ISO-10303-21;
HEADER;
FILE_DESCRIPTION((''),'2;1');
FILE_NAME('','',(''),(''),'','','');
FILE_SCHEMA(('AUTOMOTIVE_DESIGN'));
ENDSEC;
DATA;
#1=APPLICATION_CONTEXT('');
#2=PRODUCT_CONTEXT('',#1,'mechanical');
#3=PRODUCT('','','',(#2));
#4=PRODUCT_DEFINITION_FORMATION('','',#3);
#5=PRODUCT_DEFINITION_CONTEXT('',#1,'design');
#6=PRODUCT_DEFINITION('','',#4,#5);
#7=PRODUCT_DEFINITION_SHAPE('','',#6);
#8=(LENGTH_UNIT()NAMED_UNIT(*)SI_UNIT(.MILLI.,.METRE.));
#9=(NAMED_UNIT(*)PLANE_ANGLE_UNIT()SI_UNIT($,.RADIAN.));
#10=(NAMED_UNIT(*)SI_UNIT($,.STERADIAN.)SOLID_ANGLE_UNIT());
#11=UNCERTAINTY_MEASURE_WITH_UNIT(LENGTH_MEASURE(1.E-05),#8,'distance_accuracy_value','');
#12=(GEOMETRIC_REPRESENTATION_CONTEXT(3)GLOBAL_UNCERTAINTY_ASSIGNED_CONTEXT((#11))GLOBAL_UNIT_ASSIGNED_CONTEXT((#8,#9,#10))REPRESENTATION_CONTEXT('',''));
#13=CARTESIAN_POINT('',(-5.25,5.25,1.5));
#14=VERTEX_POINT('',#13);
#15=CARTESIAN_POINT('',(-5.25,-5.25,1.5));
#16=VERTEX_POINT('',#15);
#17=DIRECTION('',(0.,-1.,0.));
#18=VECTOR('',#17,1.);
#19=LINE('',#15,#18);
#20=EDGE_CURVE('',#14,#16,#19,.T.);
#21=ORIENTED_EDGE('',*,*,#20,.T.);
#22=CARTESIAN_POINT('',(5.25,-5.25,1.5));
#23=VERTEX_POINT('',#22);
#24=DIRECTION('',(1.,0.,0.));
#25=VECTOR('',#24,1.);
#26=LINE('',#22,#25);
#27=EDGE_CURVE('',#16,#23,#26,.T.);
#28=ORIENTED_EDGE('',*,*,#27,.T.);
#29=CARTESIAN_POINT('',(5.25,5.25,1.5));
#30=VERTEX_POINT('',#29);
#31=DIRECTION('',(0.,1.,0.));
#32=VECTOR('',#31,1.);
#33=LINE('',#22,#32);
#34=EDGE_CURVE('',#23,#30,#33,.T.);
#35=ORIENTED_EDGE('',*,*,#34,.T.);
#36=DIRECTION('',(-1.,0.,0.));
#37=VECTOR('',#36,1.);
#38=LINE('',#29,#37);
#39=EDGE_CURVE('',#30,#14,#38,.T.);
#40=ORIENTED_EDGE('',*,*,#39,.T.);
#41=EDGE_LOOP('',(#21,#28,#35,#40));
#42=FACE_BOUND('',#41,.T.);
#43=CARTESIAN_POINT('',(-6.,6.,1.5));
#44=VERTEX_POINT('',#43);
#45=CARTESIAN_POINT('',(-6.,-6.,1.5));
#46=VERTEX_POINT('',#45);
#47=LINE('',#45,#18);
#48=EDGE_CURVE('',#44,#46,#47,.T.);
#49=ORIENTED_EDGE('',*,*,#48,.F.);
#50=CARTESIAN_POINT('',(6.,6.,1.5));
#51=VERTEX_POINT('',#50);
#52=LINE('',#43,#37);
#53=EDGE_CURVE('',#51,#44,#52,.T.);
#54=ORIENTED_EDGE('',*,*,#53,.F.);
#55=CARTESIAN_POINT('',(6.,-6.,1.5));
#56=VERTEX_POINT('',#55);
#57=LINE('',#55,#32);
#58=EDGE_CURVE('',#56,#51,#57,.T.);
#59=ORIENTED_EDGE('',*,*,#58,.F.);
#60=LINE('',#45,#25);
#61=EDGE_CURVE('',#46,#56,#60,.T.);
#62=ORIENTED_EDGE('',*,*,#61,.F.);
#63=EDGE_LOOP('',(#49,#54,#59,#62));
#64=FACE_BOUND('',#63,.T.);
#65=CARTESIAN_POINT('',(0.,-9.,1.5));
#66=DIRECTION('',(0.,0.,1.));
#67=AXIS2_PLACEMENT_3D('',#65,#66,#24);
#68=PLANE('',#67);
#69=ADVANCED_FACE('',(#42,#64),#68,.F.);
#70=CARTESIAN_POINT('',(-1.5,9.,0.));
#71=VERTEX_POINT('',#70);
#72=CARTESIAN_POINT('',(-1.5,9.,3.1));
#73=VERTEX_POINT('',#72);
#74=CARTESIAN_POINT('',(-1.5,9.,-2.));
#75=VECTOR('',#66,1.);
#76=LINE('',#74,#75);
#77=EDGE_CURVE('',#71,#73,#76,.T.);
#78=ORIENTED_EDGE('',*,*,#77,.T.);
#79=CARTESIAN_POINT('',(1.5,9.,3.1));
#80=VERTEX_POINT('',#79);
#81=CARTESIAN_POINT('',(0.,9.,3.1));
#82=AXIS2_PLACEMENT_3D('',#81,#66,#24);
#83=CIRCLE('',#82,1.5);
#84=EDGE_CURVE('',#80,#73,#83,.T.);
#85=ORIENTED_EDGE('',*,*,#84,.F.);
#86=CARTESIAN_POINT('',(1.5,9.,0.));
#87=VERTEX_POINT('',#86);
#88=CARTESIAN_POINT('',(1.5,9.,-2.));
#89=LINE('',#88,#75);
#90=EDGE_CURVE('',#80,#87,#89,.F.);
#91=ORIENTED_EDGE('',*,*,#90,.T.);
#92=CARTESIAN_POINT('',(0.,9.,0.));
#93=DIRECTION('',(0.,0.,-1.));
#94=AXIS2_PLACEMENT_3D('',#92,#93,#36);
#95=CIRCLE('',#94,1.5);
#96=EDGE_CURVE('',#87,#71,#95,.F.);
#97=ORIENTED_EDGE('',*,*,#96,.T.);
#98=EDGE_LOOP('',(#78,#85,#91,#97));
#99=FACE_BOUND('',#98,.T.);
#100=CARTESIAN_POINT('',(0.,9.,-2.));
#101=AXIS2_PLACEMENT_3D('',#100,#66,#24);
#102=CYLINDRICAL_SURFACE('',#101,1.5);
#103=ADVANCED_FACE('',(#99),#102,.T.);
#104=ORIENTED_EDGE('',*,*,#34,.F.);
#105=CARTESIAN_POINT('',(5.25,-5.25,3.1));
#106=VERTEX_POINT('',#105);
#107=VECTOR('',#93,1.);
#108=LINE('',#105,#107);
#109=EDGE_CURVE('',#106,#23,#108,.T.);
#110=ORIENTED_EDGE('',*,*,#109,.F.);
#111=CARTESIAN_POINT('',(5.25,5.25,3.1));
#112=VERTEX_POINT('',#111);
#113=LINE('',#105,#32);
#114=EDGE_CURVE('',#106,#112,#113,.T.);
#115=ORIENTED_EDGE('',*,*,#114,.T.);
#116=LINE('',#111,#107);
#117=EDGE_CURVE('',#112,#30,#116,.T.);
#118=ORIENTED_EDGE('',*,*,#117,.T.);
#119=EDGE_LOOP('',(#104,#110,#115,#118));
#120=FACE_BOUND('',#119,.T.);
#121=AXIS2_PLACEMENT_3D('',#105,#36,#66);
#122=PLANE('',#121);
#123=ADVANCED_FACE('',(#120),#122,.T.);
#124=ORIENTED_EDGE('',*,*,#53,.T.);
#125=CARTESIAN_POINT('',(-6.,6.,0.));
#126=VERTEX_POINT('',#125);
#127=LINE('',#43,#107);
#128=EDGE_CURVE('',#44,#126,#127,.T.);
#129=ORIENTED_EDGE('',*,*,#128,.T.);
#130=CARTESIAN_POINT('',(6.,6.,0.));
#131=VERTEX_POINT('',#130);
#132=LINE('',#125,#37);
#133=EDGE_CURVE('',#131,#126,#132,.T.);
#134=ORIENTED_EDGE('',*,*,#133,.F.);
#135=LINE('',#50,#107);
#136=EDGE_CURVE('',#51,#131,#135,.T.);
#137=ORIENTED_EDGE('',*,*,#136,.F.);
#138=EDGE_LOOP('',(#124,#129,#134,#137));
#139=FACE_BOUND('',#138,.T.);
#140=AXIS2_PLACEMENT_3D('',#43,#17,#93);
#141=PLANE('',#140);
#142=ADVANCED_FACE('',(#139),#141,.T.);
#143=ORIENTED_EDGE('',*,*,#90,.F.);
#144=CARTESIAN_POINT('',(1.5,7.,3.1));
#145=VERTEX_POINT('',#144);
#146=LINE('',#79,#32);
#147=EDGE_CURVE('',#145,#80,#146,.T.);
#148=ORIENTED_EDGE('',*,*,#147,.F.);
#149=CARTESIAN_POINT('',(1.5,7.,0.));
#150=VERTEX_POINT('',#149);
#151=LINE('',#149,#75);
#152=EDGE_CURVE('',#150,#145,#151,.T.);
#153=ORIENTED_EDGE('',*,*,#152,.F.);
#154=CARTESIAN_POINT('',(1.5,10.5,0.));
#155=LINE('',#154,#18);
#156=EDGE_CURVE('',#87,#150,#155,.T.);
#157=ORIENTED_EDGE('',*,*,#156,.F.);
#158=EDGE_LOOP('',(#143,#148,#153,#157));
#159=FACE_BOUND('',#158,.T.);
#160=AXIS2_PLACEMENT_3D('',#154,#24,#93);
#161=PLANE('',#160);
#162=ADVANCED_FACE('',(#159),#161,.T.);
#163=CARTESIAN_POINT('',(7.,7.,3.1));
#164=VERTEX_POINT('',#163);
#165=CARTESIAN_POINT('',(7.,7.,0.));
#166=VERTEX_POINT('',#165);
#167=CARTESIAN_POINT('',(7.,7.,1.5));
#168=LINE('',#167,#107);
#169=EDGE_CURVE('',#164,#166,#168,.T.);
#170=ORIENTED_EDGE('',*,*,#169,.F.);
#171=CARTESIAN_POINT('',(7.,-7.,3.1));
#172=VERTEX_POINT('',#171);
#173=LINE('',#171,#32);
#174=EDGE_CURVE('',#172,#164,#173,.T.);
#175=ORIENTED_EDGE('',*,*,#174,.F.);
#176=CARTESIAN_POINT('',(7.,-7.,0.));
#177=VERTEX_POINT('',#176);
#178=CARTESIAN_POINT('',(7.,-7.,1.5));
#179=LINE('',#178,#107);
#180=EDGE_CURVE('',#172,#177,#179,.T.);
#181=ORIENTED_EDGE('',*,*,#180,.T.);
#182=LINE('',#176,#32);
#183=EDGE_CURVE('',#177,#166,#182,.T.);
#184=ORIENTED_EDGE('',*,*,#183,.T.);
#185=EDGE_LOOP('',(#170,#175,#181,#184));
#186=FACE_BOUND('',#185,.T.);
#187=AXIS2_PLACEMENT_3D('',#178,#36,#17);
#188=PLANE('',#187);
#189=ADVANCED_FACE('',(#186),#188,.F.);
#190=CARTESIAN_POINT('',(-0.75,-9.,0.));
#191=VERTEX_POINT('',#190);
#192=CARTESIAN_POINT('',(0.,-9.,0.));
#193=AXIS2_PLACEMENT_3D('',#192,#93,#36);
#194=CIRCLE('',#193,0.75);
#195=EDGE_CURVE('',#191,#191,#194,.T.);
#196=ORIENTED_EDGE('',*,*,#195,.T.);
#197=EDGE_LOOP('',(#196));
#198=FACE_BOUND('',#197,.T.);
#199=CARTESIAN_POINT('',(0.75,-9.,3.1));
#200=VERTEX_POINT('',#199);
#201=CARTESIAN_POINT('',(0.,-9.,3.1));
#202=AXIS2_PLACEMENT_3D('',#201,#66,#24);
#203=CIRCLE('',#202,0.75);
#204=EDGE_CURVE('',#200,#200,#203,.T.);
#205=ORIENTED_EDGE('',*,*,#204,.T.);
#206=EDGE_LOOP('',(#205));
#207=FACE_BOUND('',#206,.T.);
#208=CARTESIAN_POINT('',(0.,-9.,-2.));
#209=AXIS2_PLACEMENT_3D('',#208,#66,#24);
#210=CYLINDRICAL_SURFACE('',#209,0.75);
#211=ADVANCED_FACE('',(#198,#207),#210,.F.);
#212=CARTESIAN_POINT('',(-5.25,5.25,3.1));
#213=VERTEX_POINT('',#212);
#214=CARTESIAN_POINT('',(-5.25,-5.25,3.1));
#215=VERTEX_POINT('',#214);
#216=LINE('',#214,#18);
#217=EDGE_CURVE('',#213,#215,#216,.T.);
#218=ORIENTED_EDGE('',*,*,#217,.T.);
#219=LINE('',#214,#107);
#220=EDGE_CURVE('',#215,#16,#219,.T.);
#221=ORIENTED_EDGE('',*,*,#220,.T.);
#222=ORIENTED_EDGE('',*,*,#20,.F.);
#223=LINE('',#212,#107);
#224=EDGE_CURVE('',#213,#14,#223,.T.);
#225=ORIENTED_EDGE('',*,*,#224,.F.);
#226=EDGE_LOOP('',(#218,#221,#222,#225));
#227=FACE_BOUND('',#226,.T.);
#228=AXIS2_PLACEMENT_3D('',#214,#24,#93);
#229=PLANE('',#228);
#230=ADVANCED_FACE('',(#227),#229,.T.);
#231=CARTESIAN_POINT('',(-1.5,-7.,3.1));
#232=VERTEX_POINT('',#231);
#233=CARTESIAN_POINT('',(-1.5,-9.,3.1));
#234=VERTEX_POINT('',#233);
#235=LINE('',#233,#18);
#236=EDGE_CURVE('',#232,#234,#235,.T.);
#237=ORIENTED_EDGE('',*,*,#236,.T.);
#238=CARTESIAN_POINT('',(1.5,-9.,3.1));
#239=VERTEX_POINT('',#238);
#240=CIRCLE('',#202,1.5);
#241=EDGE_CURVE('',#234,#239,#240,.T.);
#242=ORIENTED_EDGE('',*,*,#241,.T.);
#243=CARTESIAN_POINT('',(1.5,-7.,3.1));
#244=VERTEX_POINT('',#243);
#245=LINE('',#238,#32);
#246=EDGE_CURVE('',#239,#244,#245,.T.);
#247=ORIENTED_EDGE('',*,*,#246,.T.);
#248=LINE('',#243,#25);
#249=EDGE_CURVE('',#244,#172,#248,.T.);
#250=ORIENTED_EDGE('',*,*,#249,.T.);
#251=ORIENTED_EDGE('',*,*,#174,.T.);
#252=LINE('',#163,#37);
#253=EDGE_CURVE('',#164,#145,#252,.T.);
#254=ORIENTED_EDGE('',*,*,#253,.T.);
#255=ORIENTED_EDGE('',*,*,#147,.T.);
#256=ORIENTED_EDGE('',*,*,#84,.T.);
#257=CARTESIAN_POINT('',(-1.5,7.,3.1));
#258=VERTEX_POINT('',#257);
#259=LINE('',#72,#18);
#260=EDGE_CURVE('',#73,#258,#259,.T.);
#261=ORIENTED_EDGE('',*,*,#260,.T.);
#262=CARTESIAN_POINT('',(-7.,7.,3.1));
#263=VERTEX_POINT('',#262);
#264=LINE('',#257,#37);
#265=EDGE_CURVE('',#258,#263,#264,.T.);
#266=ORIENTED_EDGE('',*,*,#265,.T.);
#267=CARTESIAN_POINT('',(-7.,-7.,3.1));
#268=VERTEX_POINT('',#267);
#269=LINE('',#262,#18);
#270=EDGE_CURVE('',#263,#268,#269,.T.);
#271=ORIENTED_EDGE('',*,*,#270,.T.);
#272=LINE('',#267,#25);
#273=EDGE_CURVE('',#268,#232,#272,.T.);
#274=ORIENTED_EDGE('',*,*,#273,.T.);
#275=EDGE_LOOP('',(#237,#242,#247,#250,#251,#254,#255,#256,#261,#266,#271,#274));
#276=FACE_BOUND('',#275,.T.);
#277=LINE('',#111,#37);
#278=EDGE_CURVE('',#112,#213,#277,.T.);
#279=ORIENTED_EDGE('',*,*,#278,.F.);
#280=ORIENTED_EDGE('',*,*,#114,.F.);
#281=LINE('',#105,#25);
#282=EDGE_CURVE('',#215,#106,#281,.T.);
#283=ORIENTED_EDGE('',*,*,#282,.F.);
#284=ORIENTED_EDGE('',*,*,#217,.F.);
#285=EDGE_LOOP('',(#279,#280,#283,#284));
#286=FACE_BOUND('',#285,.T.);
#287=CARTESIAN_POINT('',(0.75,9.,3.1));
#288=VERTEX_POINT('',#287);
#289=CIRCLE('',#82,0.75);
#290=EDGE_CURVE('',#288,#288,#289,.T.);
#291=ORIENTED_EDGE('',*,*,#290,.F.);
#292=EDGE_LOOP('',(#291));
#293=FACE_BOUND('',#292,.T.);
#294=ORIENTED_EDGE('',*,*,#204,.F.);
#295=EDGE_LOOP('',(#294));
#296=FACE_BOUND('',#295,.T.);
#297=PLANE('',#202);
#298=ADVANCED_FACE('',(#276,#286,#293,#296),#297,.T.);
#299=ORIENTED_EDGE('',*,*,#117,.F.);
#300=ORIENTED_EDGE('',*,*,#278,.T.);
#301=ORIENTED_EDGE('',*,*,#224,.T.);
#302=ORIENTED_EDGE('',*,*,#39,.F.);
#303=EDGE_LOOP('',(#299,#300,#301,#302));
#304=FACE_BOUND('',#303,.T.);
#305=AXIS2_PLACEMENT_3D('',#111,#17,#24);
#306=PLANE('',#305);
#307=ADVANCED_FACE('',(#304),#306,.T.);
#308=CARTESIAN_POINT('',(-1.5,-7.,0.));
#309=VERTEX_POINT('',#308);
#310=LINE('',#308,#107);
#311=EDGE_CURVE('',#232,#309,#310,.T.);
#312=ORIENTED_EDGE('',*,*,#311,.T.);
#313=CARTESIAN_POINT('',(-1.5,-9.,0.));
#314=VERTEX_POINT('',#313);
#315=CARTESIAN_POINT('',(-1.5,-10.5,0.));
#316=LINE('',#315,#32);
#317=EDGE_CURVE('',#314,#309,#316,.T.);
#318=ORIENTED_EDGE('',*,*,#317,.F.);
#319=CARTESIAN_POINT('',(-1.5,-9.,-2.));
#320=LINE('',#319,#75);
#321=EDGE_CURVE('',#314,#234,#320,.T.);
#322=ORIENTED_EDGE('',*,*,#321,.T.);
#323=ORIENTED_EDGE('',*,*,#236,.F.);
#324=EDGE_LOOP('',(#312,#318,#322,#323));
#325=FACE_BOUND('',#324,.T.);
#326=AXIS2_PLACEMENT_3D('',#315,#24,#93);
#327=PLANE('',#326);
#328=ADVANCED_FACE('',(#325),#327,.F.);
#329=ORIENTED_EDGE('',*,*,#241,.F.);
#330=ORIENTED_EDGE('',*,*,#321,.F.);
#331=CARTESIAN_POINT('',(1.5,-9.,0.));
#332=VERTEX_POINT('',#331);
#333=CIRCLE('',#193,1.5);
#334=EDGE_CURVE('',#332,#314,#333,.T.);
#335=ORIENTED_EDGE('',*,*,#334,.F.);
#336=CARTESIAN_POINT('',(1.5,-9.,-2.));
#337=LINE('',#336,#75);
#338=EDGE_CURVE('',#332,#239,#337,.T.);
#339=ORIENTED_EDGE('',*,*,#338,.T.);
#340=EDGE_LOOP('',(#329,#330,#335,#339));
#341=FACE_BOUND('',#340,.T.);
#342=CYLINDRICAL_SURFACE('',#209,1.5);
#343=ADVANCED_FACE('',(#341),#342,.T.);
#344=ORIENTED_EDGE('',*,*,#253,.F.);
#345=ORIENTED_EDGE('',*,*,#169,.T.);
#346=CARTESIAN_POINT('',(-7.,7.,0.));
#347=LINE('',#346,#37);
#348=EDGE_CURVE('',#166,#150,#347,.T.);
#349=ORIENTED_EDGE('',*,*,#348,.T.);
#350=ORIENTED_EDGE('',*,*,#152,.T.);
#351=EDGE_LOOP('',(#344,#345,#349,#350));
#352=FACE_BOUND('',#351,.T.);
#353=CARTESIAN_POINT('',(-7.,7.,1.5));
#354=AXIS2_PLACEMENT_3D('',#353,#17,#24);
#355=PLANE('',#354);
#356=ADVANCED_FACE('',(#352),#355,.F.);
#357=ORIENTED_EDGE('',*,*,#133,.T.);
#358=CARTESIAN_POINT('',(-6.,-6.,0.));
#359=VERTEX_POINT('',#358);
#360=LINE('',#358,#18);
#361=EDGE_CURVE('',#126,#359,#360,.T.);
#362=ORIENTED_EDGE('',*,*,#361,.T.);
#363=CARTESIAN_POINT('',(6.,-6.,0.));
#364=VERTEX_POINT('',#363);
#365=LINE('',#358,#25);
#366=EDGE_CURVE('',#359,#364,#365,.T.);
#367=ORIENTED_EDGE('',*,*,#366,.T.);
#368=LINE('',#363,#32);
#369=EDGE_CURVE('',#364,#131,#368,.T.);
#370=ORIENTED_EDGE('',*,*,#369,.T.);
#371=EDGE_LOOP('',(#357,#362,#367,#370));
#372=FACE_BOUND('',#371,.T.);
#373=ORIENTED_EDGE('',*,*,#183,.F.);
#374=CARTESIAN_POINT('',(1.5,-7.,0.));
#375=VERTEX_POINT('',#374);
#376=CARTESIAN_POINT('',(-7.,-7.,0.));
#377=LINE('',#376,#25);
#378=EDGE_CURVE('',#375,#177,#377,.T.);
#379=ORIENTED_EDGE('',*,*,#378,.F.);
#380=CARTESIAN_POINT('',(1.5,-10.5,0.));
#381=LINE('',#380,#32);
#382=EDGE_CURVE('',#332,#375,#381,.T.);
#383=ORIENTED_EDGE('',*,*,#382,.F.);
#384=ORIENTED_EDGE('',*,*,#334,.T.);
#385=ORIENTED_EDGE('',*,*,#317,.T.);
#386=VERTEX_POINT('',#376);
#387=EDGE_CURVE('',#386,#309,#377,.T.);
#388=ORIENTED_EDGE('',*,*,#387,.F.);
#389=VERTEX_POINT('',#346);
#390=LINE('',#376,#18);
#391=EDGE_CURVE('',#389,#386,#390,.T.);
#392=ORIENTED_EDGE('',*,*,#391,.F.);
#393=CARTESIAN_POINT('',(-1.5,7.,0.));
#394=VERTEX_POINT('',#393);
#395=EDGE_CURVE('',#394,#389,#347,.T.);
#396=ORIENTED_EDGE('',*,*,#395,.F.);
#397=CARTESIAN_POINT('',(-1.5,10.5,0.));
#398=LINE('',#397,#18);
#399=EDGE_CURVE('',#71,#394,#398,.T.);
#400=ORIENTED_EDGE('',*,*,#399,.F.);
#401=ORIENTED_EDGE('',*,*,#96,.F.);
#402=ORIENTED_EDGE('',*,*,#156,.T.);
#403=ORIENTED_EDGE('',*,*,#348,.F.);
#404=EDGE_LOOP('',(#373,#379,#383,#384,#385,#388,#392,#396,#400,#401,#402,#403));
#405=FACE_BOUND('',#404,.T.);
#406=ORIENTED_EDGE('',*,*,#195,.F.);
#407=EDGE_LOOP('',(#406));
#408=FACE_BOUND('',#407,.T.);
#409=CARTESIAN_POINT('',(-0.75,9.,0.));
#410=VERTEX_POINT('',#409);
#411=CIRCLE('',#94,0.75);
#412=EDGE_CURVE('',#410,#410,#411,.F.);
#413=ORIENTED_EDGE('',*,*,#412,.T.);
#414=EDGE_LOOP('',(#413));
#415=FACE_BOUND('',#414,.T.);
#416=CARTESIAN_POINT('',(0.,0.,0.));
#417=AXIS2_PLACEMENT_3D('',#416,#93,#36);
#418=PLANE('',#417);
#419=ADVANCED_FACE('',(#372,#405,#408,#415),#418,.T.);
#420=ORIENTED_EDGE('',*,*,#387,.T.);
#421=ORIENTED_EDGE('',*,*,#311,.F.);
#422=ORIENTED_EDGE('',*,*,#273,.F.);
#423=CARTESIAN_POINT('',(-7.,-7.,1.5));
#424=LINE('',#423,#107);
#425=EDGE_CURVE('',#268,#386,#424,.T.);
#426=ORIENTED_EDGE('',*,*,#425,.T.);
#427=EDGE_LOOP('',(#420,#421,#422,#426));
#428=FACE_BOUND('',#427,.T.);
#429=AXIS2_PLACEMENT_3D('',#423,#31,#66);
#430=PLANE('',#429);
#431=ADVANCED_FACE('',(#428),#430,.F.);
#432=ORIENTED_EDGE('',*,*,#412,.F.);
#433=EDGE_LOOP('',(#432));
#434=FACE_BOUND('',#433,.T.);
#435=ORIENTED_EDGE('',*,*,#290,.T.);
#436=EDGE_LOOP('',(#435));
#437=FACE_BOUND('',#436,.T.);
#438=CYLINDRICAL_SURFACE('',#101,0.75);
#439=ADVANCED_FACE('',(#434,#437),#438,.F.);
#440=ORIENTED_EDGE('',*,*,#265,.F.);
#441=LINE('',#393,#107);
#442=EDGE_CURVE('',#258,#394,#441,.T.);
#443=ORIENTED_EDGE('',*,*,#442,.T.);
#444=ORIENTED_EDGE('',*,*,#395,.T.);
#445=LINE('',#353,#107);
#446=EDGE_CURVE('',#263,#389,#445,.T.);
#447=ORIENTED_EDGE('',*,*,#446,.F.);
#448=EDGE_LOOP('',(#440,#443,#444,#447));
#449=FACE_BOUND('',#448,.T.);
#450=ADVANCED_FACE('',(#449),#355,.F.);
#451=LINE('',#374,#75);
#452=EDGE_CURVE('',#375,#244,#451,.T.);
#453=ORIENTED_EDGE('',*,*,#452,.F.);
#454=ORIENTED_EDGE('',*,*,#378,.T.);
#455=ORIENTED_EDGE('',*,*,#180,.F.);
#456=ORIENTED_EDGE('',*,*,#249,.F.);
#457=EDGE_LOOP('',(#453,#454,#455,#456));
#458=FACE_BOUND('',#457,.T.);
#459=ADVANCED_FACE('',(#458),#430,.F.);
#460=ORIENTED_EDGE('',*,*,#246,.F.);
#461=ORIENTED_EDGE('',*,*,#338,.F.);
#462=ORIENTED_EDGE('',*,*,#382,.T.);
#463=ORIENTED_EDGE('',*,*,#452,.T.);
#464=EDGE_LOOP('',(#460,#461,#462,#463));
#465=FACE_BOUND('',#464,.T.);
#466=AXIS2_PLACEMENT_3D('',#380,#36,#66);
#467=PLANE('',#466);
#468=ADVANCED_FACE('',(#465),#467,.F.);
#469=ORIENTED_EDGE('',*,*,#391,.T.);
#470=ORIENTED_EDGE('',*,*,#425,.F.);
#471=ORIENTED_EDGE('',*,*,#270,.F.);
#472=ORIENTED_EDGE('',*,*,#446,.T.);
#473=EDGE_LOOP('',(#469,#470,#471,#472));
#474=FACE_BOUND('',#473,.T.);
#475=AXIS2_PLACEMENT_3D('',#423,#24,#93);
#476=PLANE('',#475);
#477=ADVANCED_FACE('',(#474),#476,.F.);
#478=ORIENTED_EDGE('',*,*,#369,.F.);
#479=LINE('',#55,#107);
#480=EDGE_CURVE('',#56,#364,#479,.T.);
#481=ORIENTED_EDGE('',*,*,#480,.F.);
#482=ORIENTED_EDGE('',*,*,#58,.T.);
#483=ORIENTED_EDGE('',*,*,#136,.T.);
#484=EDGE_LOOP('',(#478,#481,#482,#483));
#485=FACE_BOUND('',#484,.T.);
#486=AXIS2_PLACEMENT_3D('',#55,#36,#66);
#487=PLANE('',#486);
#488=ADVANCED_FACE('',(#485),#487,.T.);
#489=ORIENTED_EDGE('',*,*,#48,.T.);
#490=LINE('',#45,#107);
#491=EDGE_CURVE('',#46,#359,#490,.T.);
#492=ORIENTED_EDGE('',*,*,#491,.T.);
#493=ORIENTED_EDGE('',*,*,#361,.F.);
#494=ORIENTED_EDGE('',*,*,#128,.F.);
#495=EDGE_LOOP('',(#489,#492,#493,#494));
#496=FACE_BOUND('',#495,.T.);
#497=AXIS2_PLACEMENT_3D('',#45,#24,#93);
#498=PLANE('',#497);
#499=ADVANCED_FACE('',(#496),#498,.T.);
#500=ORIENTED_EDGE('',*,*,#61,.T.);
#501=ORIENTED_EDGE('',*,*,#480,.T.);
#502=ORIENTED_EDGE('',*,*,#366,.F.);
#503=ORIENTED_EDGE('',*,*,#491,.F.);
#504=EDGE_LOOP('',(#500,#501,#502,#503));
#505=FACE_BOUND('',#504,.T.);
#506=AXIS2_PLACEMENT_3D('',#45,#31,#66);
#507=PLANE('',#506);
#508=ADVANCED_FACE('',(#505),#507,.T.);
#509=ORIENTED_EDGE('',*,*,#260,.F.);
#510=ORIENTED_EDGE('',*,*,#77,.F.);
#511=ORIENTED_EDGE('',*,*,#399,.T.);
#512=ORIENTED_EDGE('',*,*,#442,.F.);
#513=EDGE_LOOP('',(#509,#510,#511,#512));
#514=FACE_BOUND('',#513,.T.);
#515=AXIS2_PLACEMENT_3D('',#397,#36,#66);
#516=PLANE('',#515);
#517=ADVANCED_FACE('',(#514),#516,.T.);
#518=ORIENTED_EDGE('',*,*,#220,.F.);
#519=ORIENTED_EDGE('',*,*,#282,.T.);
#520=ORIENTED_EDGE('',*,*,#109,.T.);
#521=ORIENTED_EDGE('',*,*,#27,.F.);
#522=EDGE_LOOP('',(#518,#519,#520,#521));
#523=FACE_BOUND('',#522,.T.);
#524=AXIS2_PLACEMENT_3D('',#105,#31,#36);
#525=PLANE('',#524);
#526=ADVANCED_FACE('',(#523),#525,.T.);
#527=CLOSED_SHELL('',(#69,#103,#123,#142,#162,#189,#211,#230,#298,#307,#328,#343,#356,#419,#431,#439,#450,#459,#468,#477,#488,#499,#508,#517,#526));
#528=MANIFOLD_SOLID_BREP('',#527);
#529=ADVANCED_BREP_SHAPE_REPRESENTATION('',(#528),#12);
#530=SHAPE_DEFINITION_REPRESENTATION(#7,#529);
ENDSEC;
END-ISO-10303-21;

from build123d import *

# Parameters (mm, degrees)
SKETCH_1_W          = 14
SKETCH_1_H          = 14
SKETCH_1_W_2        = 12
SKETCH_1_H_2        = 12
EXTRUDE_1_DEPTH     = 1.5
SKETCH_2_W          = 3
SKETCH_2_H          = 1.5
EXTRUDE_2_DEPTH     = 3.5
SKETCH_3_R          = 0.75
CUT_EXTRUDE_1_DEPTH = 3.5
CUT_EXTRUDE_2_DEPTH = 3.5
EXTRUDE_START       = 1.6
SKETCH_6_R          = 0.75
SKETCH_6_W          = 10.5
SKETCH_6_H          = 10.5
EXTRUDE_3_DEPTH     = 1.6


with BuildPart() as part:
    # 草图1 → 凸台-拉伸1 (new body)
    with BuildSketch(Plane.XY):
        Rectangle(SKETCH_1_W, SKETCH_1_H)
        Rectangle(SKETCH_1_W_2, SKETCH_1_H_2, mode=Mode.SUBTRACT)
    extrude(amount=EXTRUDE_1_DEPTH)

    # 草图2 → 凸台-拉伸2 (add)
    with BuildSketch(Plane.XZ.offset(7)):
        with Locations((0, 0.75)):
            Rectangle(SKETCH_2_W, SKETCH_2_H)
    extrude_2 = extrude(amount=EXTRUDE_2_DEPTH)

    # 草图3 → 切除-拉伸1 (cut)
    with BuildSketch(Plane.XY.offset(1.5)):
        with Locations((0, -9)):
            Circle(SKETCH_3_R)
    cut_extrude_1 = extrude(amount=-CUT_EXTRUDE_1_DEPTH, mode=Mode.SUBTRACT)

    # 草图3<3> → 切除-拉伸2 (cut)
    with BuildSketch(Plane.XY.offset(1.5)):
        with BuildLine():
            ThreePointArc((0, -10.5), (-1.060660172, -10.060660172), (-1.5, -9))
            Line((-1.5, -9), (-1.5, -10.5))
            Line((-1.5, -10.5), (0, -10.5))
        make_face()
        with BuildLine():
            Line((1.5, -10.5), (1.5, -9))
            ThreePointArc((1.5, -9), (1.060660172, -10.060660172), (0, -10.5))
            Line((0, -10.5), (1.5, -10.5))
        make_face()
    cut_extrude_2 = extrude(amount=-CUT_EXTRUDE_2_DEPTH, mode=Mode.SUBTRACT)

    # 镜向1: 凸台-拉伸2, 切除-拉伸1, 切除-拉伸2 across plane
    add(extrude_2.mirror(Plane.ZX))
    add(cut_extrude_1.mirror(Plane.ZX), mode=Mode.SUBTRACT)
    add(cut_extrude_2.mirror(Plane.ZX), mode=Mode.SUBTRACT)

    # 草图6 → 凸台-拉伸3 (add)
    with BuildSketch(Plane.XY.offset(1.5).offset(EXTRUDE_START)):
        with BuildLine():
            Line((-1.5, -9), (-1.5, -7))
            Line((-1.5, -7), (-7, -7))
            Line((-7, -7), (-7, 7))
            Line((-7, 7), (-1.5, 7))
            Line((-1.5, 7), (-1.5, 9))
            ThreePointArc((-1.5, 9), (0, 10.5), (1.5, 9))
            Line((1.5, 9), (1.5, 7))
            Line((1.5, 7), (7, 7))
            Line((7, 7), (7, -7))
            Line((7, -7), (1.5, -7))
            Line((1.5, -7), (1.5, -9))
            ThreePointArc((1.5, -9), (0, -10.5), (-1.5, -9))
        make_face()
        with Locations((0, 9)):
            Circle(SKETCH_6_R, mode=Mode.SUBTRACT)
        with Locations((0, -9)):
            Circle(SKETCH_6_R, mode=Mode.SUBTRACT)
        Rectangle(SKETCH_6_W, SKETCH_6_H, mode=Mode.SUBTRACT)
    extrude(amount=-EXTRUDE_3_DEPTH)


solid = part.part
